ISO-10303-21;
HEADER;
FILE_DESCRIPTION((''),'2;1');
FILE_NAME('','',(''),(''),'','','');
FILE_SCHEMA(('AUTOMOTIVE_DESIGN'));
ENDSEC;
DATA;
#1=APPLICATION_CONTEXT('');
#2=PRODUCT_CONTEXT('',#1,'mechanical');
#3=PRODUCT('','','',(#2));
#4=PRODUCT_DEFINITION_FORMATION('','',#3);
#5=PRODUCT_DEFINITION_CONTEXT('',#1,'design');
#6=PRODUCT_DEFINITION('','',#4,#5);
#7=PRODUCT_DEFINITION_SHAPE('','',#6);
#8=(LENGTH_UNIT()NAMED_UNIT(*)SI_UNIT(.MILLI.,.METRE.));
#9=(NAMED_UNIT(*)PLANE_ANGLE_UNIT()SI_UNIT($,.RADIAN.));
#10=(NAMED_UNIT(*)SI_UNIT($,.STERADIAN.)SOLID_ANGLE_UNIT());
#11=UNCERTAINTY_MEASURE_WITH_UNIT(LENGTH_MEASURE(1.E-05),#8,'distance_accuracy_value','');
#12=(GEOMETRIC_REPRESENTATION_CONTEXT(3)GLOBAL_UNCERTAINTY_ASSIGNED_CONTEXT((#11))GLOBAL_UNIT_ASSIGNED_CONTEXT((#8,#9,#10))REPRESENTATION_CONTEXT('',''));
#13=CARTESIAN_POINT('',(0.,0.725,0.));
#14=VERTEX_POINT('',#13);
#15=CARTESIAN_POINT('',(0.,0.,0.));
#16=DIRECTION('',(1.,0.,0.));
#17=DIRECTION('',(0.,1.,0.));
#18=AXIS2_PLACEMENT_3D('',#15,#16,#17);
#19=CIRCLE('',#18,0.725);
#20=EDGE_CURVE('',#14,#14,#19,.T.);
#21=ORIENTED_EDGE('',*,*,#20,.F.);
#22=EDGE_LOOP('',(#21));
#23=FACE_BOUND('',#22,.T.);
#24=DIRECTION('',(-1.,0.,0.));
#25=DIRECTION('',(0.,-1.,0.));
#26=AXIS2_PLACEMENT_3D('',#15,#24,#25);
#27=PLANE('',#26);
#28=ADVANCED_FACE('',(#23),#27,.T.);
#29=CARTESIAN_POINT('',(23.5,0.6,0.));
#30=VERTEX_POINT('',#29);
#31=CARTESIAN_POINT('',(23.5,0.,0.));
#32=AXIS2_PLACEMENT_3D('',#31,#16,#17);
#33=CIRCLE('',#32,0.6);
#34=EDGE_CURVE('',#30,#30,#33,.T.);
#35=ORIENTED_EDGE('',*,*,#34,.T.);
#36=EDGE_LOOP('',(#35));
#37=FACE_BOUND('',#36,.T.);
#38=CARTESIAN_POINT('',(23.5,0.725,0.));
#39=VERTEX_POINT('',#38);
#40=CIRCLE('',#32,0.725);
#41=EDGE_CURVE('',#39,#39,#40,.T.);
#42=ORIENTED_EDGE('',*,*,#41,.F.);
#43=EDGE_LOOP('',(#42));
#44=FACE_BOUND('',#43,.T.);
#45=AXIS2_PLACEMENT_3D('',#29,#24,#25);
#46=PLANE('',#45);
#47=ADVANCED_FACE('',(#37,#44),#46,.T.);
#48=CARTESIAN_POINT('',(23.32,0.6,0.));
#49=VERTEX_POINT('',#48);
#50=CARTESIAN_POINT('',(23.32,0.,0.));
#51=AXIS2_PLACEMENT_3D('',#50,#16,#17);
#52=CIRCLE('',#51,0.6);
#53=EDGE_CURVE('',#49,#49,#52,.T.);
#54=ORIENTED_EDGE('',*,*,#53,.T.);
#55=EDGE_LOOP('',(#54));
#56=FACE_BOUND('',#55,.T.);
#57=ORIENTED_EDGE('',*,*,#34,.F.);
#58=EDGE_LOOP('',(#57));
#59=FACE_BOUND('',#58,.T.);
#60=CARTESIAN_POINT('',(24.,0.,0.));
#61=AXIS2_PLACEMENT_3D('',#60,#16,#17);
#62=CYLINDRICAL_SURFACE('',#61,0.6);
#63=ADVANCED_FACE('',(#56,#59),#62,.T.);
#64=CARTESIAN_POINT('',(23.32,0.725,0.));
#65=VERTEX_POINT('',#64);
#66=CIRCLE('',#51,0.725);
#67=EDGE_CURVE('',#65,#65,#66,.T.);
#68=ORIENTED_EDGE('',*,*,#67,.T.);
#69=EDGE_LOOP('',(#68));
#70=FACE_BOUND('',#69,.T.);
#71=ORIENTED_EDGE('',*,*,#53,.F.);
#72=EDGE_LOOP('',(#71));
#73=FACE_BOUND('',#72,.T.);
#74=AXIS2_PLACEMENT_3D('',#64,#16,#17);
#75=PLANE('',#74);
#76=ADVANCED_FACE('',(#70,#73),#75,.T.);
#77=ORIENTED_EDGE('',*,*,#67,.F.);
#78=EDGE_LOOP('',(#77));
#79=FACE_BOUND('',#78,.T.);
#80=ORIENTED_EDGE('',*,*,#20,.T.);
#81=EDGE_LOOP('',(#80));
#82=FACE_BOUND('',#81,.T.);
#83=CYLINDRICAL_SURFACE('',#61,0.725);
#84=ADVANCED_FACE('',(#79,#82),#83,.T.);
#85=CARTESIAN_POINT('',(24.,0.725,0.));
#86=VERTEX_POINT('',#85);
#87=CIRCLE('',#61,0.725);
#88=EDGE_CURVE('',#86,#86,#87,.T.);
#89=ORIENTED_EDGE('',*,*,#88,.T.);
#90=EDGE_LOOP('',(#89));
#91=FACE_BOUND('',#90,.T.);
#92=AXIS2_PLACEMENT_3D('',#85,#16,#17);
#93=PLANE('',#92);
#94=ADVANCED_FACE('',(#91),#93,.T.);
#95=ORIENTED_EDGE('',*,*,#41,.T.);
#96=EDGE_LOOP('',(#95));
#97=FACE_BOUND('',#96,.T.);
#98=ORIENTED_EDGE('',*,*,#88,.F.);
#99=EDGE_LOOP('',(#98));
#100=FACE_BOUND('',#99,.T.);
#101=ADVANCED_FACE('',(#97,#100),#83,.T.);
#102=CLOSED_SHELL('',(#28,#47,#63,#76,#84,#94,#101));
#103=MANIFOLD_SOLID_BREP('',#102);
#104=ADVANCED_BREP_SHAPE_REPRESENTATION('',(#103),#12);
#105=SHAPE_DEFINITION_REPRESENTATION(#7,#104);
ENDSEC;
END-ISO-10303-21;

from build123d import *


with BuildPart() as part:
    # Sketch1 → Revolve1 (revolve)
    with BuildSketch(Plane.XY):
        Polygon((0, 0), (0, 0.725), (23.32, 0.725), (23.32, 0.6), (23.5, 0.6), (23.5, 0.725), (24, 0.725), (24, 0), align=None)
    revolve(axis=Axis((24, 0, 0), (-1, 0, 0)))


solid = part.part
